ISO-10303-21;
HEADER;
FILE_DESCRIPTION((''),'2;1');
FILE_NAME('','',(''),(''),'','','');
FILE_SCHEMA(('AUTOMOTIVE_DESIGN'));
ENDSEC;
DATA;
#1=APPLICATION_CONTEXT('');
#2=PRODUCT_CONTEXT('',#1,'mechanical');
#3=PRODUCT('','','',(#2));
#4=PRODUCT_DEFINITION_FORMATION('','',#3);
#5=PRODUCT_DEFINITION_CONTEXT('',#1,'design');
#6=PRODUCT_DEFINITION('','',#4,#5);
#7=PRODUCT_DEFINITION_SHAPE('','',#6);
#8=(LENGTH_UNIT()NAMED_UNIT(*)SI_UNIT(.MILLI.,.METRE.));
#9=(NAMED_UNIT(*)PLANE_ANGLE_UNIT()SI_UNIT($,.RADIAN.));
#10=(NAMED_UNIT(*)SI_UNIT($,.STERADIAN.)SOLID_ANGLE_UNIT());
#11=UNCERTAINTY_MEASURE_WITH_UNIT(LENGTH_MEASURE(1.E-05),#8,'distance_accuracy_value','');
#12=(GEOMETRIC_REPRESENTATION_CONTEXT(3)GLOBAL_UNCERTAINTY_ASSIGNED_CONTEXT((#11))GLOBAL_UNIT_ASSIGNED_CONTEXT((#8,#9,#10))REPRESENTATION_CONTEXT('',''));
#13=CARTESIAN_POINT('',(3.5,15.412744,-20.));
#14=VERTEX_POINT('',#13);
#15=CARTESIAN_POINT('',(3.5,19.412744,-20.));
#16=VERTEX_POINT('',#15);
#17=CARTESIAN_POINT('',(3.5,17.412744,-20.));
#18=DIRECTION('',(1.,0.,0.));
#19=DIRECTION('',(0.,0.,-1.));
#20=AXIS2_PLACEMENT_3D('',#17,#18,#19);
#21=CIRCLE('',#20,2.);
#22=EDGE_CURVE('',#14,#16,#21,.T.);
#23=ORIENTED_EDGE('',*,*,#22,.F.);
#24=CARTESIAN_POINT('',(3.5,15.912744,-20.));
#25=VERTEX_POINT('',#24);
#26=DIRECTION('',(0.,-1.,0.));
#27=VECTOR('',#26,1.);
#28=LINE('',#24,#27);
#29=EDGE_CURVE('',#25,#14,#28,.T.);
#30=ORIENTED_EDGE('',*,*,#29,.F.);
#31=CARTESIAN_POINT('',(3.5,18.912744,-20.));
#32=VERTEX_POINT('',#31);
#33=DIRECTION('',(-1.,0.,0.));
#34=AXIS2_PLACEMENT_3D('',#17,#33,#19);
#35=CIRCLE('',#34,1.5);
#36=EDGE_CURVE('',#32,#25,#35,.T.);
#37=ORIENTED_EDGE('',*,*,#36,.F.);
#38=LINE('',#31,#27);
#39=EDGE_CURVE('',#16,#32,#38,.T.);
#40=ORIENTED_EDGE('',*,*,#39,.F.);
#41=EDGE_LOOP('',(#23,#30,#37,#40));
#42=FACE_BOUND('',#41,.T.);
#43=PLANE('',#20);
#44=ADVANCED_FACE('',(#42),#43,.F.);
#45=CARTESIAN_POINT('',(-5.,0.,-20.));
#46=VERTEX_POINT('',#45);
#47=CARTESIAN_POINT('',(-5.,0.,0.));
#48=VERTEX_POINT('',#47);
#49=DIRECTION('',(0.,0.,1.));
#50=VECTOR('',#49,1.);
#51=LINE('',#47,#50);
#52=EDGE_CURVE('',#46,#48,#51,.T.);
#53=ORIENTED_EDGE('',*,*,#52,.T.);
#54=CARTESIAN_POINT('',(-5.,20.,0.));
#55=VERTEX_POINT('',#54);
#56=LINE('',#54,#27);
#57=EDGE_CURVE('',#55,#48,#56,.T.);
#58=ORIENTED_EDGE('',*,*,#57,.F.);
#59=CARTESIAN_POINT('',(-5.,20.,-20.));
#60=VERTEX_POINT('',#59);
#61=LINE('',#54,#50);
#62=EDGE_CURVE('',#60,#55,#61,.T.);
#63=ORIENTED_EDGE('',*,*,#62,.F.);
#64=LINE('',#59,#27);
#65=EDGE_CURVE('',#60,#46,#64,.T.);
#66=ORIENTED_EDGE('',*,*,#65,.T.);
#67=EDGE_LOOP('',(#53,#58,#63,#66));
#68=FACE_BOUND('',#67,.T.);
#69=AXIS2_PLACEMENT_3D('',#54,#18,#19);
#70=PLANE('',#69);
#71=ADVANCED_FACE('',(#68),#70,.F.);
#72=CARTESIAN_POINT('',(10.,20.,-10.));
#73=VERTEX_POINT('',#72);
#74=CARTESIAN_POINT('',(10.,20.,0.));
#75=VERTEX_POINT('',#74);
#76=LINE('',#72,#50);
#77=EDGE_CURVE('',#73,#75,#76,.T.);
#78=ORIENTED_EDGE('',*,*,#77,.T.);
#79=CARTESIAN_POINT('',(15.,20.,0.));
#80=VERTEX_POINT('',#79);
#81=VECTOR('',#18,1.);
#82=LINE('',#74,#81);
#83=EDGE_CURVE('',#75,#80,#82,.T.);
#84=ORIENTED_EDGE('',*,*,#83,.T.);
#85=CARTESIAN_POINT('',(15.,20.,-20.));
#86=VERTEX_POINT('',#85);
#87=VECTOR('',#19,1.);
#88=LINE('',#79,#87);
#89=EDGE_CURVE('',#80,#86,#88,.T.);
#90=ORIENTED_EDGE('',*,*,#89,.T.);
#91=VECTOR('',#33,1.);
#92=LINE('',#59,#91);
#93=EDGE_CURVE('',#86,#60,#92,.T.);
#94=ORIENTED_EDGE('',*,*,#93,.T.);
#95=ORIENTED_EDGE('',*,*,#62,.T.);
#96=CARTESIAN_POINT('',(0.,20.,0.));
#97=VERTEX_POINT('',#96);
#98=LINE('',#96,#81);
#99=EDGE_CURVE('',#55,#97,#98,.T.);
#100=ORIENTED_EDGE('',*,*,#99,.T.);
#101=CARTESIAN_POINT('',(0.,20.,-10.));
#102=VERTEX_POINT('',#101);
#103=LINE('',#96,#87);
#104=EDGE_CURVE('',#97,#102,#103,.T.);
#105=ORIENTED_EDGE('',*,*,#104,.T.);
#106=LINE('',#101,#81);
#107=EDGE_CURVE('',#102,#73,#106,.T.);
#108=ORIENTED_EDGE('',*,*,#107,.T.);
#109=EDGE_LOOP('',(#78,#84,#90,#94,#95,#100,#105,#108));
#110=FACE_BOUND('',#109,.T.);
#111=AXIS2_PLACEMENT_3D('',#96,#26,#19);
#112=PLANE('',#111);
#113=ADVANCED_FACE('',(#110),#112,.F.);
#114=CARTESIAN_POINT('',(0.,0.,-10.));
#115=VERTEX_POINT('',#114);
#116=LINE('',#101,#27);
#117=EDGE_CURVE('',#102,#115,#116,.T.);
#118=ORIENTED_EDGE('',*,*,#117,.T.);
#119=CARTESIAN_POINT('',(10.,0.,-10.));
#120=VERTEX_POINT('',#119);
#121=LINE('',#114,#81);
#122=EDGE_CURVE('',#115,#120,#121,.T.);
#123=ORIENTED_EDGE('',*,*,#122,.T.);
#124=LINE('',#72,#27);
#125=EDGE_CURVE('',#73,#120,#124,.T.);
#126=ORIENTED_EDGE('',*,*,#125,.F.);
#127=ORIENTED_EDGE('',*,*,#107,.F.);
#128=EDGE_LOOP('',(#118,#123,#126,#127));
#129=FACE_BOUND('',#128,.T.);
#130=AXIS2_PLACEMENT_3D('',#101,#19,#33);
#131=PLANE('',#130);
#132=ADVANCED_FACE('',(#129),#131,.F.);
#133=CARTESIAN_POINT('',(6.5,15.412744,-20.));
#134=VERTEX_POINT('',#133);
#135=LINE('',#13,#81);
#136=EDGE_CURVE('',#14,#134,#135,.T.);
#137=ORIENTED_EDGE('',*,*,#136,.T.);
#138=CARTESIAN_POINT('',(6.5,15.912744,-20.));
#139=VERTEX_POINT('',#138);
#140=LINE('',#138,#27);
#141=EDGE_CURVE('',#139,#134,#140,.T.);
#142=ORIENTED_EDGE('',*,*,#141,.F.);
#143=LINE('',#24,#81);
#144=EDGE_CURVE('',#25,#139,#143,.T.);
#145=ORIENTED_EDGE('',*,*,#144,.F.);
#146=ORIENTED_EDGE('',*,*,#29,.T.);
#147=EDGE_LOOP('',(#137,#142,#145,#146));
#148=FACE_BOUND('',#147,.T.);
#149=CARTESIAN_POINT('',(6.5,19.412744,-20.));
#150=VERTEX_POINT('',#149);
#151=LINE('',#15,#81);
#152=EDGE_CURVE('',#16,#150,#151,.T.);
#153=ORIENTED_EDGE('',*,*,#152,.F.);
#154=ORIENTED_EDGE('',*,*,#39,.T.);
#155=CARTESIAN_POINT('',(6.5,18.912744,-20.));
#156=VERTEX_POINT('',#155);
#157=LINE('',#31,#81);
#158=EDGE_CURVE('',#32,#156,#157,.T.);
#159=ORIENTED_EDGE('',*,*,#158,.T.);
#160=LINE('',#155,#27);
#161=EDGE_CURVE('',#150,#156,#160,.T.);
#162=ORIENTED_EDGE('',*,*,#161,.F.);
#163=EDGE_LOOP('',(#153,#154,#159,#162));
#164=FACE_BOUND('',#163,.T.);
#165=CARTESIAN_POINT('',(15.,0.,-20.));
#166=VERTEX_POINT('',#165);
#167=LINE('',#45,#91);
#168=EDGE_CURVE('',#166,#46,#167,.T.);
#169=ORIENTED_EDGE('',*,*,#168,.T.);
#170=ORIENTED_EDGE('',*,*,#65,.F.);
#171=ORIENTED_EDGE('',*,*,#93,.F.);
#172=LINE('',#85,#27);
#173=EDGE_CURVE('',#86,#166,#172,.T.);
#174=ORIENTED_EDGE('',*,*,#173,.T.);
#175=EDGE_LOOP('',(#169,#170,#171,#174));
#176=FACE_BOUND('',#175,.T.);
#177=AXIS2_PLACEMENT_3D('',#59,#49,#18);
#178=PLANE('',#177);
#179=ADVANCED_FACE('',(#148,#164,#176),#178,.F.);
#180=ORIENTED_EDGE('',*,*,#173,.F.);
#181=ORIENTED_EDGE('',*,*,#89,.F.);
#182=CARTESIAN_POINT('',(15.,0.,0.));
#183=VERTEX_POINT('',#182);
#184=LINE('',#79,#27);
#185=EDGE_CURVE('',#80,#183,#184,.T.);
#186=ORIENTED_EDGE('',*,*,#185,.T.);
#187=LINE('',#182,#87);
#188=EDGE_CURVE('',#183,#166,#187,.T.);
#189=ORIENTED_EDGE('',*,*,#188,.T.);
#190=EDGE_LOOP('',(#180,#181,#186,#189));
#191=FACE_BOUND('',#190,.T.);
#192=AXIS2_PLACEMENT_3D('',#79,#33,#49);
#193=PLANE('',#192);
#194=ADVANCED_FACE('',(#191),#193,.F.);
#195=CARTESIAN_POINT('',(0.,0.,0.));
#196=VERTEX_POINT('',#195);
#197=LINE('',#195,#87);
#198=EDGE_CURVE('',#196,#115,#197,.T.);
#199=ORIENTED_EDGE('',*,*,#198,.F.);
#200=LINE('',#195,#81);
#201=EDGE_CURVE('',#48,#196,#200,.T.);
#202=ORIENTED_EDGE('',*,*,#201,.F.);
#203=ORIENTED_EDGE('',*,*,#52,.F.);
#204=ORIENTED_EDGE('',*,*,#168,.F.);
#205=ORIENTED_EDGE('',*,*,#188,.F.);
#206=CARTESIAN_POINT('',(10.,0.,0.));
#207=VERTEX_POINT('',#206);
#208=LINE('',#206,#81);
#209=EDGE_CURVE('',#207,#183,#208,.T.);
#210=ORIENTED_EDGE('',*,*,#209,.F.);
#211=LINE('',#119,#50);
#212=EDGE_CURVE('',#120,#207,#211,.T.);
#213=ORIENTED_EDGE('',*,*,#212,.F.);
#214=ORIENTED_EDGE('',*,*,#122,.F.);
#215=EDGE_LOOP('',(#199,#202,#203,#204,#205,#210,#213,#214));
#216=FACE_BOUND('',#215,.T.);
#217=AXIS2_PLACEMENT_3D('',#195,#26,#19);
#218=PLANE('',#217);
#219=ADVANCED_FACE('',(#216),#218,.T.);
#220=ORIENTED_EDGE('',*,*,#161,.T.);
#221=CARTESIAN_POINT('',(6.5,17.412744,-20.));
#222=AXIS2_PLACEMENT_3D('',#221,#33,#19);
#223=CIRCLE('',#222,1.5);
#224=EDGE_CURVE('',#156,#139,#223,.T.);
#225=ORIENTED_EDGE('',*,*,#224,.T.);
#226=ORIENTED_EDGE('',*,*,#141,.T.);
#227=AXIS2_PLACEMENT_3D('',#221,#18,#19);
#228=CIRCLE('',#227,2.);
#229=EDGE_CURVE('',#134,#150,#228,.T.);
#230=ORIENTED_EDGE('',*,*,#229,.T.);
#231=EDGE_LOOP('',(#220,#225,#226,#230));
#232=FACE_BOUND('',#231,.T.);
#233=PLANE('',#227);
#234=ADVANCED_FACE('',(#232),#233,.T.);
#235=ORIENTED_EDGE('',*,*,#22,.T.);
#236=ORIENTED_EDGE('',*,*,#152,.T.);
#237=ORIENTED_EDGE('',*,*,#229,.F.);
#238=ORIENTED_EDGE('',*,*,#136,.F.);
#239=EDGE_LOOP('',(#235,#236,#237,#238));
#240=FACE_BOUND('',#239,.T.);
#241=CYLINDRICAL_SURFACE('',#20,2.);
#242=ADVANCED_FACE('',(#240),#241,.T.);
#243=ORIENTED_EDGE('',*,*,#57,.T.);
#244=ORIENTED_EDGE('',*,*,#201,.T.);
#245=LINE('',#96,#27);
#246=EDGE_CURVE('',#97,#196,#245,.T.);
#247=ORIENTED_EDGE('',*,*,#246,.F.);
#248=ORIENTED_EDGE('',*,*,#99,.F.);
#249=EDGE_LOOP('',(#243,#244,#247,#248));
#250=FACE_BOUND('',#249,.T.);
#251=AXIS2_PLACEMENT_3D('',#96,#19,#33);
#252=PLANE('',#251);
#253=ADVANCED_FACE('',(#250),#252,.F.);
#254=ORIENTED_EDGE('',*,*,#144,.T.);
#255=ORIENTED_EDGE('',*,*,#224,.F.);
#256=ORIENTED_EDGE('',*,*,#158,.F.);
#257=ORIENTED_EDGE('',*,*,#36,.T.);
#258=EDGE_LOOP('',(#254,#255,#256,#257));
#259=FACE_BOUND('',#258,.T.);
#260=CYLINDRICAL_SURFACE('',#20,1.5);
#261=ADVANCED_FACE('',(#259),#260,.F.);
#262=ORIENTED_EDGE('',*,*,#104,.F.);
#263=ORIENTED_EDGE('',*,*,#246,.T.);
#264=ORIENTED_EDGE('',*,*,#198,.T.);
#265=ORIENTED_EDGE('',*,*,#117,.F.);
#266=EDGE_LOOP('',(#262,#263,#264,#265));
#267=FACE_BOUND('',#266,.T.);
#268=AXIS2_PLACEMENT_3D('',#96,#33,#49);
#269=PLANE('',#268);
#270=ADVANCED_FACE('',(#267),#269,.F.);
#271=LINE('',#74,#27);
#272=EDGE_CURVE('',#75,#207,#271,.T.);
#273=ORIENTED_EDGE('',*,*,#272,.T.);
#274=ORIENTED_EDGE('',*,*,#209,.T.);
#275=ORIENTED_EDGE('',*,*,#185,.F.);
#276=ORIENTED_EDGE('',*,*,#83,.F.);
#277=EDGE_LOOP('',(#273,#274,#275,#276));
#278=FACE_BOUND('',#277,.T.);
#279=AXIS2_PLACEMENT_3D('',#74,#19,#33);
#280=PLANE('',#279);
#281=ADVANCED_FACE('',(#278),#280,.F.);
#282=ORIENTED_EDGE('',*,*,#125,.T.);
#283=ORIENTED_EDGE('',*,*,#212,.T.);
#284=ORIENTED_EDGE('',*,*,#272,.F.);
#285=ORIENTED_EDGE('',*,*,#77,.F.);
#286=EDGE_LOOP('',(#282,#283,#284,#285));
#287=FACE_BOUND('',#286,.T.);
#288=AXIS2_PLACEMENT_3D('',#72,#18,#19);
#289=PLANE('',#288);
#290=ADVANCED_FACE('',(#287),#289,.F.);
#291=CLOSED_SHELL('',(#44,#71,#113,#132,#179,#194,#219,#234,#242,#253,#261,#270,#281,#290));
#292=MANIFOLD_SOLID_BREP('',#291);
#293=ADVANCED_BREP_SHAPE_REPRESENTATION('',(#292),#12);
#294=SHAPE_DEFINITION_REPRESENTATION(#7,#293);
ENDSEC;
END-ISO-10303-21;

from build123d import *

# Parameters (mm, degrees)
BOSS_EXTRUDE1_DEPTH      = 20
BOSS_EXTRUDE2_DEPTH      = 1.5
BOSS_EXTRUDE2_DEPTH_BACK = 1.5


with BuildPart() as part:
    # Sketch1 → Boss-Extrude1 (new body)
    with BuildSketch(Plane(origin=(0, 0, 0), x_dir=(1, 0, 0), z_dir=(0, 1, 0))):
        Polygon((0, 0), (0, 10), (10, 10), (10, 0), (15, 0), (15, 20), (-5, 20), (-5, 0), align=None)
    extrude(amount=BOSS_EXTRUDE1_DEPTH)

    # Sketch3 → Boss-Extrude2 (add, two sides)
    with BuildSketch(Plane(origin=(5, 0, 0), x_dir=(0, 0, -1), z_dir=(1, 0, 0))) as boss_extrude2_sk:
        with BuildLine():
            Line((20, 18.912744364), (20, 19.412744364))
            ThreePointArc((20, 19.412744364), (22, 17.412744364), (20, 15.412744364))
            Line((20, 15.412744364), (20, 15.912744364))
            ThreePointArc((20, 15.912744364), (21.5, 17.412744364), (20, 18.912744364))
        make_face()
    extrude(amount=BOSS_EXTRUDE2_DEPTH)
    extrude(boss_extrude2_sk.sketch, amount=-BOSS_EXTRUDE2_DEPTH_BACK)


solid = part.part
